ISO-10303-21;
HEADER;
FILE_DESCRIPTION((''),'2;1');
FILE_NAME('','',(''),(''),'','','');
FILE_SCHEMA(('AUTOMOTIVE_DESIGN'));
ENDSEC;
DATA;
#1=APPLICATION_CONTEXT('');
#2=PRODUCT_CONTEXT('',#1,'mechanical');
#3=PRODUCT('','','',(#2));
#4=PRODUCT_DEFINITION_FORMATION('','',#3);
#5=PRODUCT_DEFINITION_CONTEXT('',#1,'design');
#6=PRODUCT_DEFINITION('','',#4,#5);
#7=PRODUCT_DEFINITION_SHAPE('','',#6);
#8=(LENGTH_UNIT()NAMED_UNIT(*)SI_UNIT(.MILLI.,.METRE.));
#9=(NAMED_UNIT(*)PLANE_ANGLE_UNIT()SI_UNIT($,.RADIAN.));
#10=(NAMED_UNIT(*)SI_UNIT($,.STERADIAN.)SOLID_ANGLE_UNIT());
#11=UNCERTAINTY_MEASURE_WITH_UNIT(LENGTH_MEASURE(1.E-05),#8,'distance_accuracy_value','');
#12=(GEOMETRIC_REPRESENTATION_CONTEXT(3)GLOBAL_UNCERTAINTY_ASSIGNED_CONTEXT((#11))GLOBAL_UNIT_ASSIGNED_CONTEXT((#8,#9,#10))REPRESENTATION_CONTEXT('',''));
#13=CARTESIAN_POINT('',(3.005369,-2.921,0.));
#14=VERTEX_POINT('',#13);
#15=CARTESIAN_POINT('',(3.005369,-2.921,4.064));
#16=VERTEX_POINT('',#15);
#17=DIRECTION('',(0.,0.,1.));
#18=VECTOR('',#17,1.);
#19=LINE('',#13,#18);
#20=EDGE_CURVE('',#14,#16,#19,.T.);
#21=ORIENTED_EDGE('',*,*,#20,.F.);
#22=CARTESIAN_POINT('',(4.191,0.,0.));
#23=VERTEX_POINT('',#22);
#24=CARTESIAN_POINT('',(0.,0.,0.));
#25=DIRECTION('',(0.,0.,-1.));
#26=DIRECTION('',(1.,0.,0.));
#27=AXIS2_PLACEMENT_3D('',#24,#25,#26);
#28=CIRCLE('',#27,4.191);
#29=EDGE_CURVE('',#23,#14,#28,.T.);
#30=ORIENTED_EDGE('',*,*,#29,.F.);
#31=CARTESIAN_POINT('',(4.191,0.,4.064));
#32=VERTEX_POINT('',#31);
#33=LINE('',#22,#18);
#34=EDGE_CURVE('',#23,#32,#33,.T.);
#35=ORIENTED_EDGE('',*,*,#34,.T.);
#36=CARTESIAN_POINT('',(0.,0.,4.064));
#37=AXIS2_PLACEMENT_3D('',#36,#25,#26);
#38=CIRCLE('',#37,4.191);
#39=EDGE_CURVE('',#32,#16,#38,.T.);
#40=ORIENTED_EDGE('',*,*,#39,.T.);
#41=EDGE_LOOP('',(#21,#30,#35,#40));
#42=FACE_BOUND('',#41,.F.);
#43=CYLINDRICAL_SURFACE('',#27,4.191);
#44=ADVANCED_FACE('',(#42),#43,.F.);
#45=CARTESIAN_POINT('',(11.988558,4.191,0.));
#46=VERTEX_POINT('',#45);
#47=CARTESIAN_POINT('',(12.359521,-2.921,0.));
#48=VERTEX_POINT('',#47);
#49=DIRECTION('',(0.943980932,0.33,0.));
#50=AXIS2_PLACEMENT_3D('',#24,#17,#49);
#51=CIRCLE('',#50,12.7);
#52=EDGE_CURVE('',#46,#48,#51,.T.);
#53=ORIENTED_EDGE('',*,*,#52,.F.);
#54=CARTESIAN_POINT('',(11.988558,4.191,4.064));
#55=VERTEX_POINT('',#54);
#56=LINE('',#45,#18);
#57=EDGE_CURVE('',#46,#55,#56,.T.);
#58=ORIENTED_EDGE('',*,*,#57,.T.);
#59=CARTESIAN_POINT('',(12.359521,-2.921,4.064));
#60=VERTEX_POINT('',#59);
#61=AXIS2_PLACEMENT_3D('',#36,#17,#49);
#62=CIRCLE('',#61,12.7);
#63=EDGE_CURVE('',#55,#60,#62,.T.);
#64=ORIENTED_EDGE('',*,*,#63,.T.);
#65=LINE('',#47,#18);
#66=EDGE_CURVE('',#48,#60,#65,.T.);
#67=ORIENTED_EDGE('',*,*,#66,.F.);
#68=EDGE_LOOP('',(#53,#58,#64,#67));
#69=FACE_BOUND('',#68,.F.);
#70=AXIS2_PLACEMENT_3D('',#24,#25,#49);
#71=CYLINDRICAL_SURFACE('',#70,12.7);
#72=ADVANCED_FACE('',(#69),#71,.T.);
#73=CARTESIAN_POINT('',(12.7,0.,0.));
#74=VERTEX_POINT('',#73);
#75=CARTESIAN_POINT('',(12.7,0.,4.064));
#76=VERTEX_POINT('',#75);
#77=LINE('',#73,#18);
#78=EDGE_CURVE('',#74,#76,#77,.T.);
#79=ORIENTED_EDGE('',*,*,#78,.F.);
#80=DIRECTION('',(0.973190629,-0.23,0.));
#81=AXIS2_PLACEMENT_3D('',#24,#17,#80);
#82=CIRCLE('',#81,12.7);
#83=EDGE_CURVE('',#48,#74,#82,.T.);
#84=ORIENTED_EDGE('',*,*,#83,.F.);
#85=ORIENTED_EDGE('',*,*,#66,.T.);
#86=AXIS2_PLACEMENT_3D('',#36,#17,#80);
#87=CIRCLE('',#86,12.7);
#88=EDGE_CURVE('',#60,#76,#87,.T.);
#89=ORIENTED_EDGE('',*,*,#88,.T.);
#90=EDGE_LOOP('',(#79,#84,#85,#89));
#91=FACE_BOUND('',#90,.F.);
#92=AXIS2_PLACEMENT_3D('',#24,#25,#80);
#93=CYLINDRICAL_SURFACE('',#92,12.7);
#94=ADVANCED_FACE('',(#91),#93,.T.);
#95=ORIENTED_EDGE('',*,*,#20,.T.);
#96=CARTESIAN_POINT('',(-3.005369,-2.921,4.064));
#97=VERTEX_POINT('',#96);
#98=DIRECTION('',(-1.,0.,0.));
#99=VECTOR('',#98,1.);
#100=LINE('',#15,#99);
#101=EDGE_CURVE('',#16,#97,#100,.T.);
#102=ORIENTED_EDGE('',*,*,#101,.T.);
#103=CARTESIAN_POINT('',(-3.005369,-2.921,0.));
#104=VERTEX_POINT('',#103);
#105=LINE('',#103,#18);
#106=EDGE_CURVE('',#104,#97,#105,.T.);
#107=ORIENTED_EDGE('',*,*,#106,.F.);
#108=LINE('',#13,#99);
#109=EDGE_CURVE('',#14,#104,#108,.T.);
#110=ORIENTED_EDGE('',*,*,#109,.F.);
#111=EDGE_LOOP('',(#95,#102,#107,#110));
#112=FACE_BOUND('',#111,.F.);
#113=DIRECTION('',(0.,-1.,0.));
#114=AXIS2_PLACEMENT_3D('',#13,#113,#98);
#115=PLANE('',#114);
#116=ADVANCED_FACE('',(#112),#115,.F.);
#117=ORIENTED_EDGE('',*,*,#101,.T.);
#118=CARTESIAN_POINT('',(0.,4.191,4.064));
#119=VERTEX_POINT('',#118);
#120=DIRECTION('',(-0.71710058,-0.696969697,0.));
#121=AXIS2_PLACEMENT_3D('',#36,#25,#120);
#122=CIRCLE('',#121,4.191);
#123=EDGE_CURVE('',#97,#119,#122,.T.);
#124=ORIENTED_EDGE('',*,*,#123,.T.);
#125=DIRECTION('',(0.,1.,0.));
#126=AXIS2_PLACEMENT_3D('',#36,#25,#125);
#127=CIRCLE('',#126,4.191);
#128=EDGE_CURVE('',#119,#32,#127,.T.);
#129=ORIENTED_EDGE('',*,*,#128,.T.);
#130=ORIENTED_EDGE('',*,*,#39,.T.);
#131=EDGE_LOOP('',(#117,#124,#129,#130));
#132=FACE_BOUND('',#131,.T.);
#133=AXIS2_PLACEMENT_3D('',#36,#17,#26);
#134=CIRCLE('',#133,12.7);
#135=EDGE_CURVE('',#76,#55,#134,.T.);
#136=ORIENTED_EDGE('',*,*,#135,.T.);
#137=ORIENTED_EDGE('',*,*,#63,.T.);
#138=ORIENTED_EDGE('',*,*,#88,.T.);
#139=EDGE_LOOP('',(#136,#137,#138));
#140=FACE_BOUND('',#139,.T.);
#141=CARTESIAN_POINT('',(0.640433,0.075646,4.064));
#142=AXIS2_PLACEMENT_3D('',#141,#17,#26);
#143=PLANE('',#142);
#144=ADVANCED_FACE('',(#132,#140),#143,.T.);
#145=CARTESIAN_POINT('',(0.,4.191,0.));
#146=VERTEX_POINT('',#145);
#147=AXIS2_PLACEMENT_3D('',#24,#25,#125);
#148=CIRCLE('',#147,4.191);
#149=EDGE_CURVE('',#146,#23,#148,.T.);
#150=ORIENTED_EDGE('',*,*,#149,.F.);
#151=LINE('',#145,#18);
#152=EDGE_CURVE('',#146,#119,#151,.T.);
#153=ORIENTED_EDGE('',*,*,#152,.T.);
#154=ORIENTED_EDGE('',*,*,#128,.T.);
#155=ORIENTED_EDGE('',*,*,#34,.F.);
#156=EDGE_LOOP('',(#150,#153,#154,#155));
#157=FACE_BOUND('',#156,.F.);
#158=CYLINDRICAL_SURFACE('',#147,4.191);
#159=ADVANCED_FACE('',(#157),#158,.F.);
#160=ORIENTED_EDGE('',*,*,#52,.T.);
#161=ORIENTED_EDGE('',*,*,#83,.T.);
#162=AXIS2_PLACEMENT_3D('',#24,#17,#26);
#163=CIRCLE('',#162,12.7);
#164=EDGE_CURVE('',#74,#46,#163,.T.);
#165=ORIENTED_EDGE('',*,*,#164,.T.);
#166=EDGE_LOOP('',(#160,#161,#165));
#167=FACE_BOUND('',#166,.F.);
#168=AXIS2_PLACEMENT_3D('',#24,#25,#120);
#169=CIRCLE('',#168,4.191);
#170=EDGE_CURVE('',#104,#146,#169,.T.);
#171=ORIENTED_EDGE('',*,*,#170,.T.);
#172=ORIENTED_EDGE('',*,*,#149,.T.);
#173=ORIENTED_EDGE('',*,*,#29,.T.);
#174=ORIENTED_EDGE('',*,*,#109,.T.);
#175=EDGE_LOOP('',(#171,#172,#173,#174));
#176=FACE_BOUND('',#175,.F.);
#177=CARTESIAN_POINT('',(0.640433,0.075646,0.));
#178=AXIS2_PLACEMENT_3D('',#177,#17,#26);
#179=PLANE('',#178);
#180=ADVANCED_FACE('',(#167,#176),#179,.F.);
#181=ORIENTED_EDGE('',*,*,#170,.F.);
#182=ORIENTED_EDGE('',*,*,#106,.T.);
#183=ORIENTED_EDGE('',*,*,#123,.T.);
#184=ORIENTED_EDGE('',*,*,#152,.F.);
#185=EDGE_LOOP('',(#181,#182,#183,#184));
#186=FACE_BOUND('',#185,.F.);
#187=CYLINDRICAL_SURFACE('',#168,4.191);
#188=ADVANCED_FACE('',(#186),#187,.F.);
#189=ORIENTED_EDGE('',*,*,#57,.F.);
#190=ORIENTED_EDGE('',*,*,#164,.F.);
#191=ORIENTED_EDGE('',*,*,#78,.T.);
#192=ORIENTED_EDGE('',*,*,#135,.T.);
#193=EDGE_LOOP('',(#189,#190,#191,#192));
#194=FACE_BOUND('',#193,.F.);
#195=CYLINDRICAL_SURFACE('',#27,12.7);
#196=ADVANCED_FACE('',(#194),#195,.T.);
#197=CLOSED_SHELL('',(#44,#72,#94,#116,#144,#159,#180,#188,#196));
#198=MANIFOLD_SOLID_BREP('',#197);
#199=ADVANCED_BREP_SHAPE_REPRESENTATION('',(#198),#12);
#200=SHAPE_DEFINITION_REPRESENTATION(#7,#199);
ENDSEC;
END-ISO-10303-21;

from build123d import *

# Parameters (mm, degrees)
F1_DEPTH = 4.064


with BuildPart() as f1:
    # F0 (on Top) → F1 (new body)
    with BuildSketch(Plane.XY):
        with BuildLine():
            ThreePointArc((-3.0053685298, -2.921), (-3.860465775, 1.6313445375), (0, 4.191))
            Line((0, 4.191), (11.9885578365, 4.191))
            ThreePointArc((11.9885578365, 4.191), (-12.6827588318, -0.6615348929), (12.3595209859, -2.921))
            Line((12.3595209859, -2.921), (3.0053685298, -2.921))
            ThreePointArc((3.0053685298, -2.921), (0, -4.191), (-3.0053685298, -2.921))
        make_face()
        with BuildLine():
            ThreePointArc((0, 4.191), (2.96348452, 2.96348452), (4.191, 0))
            ThreePointArc((4.191, 0), (3.883296313, -1.5762267431), (3.0053685298, -2.921))
            Line((3.0053685298, -2.921), (12.3595209859, -2.921))
            ThreePointArc((12.3595209859, -2.921), (12.6145930676, -1.4703882956), (12.7, 0))
            ThreePointArc((12.7, 0), (12.5208762578, 2.1254782375), (11.9885578365, 4.191))
            Line((11.9885578365, 4.191), (0, 4.191))
        make_face()
        with BuildLine():
            ThreePointArc((-3.0053685298, -2.921), (0, -4.191), (3.0053685298, -2.921))
            Line((3.0053685298, -2.921), (-3.0053685298, -2.921))
        make_face()
    extrude(amount=F1_DEPTH)


solid = f1.part
